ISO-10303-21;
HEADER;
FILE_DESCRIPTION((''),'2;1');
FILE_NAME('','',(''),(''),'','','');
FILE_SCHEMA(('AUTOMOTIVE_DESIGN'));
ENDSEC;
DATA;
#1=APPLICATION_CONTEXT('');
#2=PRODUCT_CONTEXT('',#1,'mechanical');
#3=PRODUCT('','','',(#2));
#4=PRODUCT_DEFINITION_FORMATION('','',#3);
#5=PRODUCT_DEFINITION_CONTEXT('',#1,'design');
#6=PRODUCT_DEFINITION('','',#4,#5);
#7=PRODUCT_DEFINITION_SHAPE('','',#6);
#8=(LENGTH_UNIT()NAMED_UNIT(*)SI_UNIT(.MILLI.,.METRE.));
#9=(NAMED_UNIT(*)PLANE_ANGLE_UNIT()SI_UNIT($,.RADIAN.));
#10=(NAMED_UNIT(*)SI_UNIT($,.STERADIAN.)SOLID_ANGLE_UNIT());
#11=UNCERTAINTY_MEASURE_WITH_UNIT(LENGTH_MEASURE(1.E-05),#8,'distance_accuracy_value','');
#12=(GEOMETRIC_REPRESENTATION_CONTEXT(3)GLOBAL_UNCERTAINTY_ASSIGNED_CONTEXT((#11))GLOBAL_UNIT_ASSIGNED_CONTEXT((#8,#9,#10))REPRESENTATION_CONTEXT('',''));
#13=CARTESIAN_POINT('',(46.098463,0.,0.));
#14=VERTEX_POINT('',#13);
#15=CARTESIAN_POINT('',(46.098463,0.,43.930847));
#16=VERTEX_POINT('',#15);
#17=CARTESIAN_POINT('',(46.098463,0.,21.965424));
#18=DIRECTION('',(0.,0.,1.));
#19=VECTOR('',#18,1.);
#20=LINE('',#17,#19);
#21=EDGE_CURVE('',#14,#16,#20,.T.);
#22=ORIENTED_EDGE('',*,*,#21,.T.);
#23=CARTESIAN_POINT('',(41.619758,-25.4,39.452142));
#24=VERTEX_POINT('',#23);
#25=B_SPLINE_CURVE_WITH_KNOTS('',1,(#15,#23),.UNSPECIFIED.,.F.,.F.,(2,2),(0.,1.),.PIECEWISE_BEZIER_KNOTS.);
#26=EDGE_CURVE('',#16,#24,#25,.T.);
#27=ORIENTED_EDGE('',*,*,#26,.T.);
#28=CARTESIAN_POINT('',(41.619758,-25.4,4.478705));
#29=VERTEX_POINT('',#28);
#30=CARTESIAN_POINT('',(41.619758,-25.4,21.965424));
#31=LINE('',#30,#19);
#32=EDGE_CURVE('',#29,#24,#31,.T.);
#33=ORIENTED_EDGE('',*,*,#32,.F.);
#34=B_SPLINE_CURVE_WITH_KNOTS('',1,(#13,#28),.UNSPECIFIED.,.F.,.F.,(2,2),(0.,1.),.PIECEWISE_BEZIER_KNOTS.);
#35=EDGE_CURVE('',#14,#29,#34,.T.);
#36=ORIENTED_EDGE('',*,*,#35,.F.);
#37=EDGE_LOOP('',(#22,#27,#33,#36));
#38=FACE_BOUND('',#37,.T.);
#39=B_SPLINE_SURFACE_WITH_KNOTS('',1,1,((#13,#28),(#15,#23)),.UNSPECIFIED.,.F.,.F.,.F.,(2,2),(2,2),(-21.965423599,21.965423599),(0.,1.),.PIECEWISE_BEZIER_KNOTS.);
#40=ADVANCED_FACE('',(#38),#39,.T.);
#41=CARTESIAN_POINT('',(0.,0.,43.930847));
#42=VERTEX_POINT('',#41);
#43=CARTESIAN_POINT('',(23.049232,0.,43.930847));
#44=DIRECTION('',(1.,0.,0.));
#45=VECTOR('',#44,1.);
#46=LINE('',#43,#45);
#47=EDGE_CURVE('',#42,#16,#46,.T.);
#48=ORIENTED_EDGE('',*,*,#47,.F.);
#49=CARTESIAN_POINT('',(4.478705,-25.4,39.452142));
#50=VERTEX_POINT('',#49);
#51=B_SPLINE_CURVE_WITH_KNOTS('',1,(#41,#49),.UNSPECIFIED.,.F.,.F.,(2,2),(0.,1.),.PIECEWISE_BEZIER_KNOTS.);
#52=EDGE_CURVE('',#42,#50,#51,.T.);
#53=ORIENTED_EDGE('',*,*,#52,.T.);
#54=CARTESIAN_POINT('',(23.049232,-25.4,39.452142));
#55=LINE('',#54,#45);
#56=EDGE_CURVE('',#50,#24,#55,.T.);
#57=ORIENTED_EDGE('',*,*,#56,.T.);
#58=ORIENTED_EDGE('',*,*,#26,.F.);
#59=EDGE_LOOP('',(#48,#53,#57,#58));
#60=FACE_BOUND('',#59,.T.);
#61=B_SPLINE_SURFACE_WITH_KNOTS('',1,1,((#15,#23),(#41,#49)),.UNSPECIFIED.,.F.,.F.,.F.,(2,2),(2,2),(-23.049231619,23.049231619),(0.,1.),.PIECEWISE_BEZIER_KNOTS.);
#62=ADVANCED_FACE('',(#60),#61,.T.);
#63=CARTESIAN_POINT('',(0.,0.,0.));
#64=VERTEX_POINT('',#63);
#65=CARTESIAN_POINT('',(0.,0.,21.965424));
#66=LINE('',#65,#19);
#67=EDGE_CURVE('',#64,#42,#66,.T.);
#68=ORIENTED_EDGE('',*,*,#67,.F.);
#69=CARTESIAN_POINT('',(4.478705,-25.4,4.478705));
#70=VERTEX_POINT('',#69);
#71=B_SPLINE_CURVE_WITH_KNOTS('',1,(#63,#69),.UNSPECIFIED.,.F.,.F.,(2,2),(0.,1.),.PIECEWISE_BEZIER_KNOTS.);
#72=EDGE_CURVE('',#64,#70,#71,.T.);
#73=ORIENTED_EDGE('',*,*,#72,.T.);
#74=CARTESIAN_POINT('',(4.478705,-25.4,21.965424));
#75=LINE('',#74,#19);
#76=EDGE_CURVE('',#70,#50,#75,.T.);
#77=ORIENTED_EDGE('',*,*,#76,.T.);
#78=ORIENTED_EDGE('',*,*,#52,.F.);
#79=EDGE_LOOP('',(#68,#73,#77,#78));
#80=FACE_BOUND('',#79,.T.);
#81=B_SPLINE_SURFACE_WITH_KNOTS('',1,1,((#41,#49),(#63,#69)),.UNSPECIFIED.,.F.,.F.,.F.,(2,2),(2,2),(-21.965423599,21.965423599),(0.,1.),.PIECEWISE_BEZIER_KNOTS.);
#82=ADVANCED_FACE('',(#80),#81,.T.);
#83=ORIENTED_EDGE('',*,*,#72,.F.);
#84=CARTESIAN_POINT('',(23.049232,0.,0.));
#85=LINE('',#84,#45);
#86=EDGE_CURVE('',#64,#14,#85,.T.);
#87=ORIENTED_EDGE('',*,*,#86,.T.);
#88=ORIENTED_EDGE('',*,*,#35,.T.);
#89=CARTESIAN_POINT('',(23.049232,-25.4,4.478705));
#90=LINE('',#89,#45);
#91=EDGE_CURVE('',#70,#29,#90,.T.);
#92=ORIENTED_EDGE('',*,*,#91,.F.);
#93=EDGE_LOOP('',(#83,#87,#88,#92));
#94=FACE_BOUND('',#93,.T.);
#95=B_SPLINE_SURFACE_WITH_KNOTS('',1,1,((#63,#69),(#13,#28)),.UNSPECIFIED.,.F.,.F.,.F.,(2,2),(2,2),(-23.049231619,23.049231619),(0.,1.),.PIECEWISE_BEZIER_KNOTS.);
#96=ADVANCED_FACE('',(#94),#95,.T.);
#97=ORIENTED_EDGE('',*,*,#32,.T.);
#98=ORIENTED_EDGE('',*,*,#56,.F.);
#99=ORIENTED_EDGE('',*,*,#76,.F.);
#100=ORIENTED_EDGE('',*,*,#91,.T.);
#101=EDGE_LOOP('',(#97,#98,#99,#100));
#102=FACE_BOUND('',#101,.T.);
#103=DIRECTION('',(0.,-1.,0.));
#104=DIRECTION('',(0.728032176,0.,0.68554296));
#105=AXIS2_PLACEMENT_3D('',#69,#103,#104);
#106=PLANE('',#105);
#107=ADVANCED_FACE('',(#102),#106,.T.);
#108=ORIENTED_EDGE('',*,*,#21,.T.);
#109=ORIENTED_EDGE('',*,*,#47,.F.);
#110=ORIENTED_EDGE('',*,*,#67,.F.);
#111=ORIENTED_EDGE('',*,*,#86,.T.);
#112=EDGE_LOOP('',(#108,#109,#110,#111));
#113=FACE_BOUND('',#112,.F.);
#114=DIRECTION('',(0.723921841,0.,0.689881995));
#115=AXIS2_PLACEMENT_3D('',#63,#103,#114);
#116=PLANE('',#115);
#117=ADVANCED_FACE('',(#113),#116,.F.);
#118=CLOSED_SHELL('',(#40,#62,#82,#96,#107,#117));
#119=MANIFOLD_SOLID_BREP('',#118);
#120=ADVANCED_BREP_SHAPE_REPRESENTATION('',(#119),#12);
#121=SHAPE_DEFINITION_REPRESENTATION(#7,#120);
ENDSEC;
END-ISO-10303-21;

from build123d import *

# Parameters (mm, degrees)
F0_W     = 46.0984632373
F0_H     = 43.9308471978
F1_DEPTH = 25.4
F1_TAPER = 10


with BuildPart() as f1:
    # F0 (on Front) → F1 (new body)
    with BuildSketch(Plane.XZ):
        with Locations((23.0492316186, 21.9654235989)):
            Rectangle(F0_W, F0_H)
    extrude(amount=F1_DEPTH, taper=F1_TAPER)


solid = f1.part
